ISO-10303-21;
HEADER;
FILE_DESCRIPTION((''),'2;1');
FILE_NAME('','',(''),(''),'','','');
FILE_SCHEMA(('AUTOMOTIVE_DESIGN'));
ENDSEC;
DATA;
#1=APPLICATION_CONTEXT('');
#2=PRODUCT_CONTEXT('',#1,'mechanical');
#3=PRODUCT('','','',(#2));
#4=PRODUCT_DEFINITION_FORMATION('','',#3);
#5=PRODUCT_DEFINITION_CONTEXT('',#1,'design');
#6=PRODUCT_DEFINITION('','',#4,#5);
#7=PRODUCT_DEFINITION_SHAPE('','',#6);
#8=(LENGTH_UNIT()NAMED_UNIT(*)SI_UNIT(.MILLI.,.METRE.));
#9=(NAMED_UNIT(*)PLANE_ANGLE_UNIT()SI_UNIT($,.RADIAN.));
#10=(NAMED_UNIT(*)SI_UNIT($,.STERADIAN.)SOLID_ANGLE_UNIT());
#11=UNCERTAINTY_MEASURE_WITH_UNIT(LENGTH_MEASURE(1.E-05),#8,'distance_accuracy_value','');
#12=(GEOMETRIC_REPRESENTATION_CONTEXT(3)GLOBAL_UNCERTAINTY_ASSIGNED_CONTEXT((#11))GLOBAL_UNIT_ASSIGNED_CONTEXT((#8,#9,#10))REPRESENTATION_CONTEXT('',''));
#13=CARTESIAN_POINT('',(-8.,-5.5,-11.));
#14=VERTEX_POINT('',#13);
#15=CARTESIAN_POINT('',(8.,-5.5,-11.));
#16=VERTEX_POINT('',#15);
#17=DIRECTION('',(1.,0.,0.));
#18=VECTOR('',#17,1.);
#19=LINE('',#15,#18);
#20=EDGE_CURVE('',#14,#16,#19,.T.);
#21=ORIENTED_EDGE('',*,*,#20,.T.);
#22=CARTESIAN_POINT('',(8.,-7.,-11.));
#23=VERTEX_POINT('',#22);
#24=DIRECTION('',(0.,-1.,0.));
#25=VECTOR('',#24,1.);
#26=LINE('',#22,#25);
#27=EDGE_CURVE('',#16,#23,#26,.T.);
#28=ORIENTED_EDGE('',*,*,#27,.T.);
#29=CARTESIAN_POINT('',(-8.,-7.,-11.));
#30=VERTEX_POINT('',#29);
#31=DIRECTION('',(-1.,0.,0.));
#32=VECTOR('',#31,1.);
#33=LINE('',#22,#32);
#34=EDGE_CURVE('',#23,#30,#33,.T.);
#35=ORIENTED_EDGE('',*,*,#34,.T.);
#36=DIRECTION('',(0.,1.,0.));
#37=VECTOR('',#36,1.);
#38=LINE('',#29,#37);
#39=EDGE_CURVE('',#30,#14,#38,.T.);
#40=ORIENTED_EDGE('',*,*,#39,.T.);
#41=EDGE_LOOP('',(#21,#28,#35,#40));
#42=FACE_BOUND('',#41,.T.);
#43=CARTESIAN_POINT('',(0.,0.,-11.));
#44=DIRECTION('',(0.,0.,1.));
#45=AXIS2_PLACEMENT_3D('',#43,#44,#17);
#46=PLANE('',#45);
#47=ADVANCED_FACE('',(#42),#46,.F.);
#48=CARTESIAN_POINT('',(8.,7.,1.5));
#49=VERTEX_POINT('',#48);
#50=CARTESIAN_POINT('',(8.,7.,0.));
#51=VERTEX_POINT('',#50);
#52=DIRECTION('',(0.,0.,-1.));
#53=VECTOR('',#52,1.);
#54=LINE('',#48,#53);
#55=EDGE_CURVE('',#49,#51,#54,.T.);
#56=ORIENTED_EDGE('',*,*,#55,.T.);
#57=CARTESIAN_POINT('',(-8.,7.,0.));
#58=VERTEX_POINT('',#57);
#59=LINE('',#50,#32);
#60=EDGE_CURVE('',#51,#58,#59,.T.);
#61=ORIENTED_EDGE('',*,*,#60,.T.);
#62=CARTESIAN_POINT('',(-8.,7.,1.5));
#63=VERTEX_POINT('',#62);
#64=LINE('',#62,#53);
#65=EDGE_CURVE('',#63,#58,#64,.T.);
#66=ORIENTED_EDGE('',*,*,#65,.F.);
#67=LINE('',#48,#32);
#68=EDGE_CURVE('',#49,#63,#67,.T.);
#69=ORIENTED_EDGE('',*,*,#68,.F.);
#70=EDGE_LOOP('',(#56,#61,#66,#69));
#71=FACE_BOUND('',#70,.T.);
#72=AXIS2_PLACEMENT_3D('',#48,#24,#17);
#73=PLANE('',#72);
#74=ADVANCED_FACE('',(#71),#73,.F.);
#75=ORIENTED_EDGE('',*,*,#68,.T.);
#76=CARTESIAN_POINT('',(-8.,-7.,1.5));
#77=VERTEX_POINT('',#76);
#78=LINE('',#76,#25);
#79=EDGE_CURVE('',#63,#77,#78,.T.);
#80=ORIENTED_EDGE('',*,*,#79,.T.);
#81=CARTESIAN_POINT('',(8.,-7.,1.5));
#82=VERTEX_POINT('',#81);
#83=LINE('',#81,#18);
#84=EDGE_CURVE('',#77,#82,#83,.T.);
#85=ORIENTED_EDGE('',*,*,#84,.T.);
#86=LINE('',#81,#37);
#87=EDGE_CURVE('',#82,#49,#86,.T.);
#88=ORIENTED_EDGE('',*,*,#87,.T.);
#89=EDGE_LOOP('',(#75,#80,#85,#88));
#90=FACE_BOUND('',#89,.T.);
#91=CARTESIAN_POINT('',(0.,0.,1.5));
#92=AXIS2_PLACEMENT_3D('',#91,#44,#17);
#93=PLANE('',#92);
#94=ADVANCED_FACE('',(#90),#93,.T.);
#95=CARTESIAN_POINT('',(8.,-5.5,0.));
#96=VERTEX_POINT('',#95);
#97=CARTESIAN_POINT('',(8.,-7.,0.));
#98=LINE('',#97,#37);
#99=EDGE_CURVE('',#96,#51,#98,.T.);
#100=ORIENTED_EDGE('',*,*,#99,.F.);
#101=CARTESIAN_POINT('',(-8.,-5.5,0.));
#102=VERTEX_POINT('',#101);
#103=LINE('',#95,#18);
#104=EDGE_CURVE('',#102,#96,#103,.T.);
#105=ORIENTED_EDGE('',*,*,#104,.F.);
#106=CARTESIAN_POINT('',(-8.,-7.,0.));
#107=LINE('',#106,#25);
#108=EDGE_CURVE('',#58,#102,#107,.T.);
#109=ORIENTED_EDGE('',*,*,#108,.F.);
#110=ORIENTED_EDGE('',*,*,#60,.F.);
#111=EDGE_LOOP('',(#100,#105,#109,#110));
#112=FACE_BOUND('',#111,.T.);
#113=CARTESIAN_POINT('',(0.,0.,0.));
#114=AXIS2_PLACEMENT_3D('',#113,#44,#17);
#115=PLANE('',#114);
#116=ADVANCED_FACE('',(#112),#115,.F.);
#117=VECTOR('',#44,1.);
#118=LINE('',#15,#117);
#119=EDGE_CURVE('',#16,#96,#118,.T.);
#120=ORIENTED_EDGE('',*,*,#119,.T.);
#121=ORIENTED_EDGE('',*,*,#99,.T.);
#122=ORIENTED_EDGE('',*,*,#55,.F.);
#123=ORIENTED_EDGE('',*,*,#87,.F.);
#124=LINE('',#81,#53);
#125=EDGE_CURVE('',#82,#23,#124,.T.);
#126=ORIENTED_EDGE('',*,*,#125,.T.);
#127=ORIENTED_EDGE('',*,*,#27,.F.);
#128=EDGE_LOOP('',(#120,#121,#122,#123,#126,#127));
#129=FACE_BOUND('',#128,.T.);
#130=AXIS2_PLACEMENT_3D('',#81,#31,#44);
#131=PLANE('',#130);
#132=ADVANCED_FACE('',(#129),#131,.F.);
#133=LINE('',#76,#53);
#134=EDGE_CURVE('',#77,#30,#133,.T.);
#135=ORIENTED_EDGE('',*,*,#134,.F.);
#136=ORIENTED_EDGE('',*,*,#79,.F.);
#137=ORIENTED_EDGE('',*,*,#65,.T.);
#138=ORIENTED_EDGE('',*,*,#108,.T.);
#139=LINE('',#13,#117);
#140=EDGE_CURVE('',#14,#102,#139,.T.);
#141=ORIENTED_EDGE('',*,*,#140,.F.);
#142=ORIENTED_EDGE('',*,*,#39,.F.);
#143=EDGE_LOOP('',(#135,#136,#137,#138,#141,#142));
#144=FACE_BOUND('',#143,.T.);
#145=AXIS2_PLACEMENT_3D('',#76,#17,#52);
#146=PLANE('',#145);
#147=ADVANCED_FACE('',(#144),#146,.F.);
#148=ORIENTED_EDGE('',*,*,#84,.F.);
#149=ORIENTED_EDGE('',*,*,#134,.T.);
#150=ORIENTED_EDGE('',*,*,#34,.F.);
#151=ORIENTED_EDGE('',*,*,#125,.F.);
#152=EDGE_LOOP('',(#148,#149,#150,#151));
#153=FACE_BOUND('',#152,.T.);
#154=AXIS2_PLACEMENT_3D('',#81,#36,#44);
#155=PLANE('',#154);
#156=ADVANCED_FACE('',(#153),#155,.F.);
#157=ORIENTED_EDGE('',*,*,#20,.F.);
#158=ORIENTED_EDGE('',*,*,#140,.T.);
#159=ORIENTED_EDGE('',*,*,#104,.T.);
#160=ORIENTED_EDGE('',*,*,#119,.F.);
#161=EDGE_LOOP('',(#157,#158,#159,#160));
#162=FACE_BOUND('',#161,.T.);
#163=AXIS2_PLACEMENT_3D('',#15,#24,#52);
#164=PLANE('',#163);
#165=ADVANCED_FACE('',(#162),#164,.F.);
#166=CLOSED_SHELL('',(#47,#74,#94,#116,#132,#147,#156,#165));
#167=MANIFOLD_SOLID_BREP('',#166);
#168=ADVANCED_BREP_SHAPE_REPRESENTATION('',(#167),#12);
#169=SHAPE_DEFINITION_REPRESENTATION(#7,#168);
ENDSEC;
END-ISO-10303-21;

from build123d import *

# Parameters (mm, degrees)
CROQUIS1_W              = 16
CROQUIS1_H              = 14
SALIENTE_EXTRUIR1_DEPTH = 1.5
CROQUIS2_W              = 16
CROQUIS2_H              = 1.5
SALIENTE_EXTRUIR2_DEPTH = 11


with BuildPart() as part:
    # Croquis1 → Saliente-Extruir1 (new body)
    with BuildSketch(Plane.XY):
        Rectangle(CROQUIS1_W, CROQUIS1_H)
    extrude(amount=SALIENTE_EXTRUIR1_DEPTH)

    # Croquis2 → Saliente-Extruir2 (add)
    with BuildSketch(Plane(origin=(0, 0, 0), x_dir=(-1, 0, 0), z_dir=(0, 0, -1))):
        with Locations((0, -6.25)):
            Rectangle(CROQUIS2_W, CROQUIS2_H)
    extrude(amount=SALIENTE_EXTRUIR2_DEPTH)


solid = part.part
